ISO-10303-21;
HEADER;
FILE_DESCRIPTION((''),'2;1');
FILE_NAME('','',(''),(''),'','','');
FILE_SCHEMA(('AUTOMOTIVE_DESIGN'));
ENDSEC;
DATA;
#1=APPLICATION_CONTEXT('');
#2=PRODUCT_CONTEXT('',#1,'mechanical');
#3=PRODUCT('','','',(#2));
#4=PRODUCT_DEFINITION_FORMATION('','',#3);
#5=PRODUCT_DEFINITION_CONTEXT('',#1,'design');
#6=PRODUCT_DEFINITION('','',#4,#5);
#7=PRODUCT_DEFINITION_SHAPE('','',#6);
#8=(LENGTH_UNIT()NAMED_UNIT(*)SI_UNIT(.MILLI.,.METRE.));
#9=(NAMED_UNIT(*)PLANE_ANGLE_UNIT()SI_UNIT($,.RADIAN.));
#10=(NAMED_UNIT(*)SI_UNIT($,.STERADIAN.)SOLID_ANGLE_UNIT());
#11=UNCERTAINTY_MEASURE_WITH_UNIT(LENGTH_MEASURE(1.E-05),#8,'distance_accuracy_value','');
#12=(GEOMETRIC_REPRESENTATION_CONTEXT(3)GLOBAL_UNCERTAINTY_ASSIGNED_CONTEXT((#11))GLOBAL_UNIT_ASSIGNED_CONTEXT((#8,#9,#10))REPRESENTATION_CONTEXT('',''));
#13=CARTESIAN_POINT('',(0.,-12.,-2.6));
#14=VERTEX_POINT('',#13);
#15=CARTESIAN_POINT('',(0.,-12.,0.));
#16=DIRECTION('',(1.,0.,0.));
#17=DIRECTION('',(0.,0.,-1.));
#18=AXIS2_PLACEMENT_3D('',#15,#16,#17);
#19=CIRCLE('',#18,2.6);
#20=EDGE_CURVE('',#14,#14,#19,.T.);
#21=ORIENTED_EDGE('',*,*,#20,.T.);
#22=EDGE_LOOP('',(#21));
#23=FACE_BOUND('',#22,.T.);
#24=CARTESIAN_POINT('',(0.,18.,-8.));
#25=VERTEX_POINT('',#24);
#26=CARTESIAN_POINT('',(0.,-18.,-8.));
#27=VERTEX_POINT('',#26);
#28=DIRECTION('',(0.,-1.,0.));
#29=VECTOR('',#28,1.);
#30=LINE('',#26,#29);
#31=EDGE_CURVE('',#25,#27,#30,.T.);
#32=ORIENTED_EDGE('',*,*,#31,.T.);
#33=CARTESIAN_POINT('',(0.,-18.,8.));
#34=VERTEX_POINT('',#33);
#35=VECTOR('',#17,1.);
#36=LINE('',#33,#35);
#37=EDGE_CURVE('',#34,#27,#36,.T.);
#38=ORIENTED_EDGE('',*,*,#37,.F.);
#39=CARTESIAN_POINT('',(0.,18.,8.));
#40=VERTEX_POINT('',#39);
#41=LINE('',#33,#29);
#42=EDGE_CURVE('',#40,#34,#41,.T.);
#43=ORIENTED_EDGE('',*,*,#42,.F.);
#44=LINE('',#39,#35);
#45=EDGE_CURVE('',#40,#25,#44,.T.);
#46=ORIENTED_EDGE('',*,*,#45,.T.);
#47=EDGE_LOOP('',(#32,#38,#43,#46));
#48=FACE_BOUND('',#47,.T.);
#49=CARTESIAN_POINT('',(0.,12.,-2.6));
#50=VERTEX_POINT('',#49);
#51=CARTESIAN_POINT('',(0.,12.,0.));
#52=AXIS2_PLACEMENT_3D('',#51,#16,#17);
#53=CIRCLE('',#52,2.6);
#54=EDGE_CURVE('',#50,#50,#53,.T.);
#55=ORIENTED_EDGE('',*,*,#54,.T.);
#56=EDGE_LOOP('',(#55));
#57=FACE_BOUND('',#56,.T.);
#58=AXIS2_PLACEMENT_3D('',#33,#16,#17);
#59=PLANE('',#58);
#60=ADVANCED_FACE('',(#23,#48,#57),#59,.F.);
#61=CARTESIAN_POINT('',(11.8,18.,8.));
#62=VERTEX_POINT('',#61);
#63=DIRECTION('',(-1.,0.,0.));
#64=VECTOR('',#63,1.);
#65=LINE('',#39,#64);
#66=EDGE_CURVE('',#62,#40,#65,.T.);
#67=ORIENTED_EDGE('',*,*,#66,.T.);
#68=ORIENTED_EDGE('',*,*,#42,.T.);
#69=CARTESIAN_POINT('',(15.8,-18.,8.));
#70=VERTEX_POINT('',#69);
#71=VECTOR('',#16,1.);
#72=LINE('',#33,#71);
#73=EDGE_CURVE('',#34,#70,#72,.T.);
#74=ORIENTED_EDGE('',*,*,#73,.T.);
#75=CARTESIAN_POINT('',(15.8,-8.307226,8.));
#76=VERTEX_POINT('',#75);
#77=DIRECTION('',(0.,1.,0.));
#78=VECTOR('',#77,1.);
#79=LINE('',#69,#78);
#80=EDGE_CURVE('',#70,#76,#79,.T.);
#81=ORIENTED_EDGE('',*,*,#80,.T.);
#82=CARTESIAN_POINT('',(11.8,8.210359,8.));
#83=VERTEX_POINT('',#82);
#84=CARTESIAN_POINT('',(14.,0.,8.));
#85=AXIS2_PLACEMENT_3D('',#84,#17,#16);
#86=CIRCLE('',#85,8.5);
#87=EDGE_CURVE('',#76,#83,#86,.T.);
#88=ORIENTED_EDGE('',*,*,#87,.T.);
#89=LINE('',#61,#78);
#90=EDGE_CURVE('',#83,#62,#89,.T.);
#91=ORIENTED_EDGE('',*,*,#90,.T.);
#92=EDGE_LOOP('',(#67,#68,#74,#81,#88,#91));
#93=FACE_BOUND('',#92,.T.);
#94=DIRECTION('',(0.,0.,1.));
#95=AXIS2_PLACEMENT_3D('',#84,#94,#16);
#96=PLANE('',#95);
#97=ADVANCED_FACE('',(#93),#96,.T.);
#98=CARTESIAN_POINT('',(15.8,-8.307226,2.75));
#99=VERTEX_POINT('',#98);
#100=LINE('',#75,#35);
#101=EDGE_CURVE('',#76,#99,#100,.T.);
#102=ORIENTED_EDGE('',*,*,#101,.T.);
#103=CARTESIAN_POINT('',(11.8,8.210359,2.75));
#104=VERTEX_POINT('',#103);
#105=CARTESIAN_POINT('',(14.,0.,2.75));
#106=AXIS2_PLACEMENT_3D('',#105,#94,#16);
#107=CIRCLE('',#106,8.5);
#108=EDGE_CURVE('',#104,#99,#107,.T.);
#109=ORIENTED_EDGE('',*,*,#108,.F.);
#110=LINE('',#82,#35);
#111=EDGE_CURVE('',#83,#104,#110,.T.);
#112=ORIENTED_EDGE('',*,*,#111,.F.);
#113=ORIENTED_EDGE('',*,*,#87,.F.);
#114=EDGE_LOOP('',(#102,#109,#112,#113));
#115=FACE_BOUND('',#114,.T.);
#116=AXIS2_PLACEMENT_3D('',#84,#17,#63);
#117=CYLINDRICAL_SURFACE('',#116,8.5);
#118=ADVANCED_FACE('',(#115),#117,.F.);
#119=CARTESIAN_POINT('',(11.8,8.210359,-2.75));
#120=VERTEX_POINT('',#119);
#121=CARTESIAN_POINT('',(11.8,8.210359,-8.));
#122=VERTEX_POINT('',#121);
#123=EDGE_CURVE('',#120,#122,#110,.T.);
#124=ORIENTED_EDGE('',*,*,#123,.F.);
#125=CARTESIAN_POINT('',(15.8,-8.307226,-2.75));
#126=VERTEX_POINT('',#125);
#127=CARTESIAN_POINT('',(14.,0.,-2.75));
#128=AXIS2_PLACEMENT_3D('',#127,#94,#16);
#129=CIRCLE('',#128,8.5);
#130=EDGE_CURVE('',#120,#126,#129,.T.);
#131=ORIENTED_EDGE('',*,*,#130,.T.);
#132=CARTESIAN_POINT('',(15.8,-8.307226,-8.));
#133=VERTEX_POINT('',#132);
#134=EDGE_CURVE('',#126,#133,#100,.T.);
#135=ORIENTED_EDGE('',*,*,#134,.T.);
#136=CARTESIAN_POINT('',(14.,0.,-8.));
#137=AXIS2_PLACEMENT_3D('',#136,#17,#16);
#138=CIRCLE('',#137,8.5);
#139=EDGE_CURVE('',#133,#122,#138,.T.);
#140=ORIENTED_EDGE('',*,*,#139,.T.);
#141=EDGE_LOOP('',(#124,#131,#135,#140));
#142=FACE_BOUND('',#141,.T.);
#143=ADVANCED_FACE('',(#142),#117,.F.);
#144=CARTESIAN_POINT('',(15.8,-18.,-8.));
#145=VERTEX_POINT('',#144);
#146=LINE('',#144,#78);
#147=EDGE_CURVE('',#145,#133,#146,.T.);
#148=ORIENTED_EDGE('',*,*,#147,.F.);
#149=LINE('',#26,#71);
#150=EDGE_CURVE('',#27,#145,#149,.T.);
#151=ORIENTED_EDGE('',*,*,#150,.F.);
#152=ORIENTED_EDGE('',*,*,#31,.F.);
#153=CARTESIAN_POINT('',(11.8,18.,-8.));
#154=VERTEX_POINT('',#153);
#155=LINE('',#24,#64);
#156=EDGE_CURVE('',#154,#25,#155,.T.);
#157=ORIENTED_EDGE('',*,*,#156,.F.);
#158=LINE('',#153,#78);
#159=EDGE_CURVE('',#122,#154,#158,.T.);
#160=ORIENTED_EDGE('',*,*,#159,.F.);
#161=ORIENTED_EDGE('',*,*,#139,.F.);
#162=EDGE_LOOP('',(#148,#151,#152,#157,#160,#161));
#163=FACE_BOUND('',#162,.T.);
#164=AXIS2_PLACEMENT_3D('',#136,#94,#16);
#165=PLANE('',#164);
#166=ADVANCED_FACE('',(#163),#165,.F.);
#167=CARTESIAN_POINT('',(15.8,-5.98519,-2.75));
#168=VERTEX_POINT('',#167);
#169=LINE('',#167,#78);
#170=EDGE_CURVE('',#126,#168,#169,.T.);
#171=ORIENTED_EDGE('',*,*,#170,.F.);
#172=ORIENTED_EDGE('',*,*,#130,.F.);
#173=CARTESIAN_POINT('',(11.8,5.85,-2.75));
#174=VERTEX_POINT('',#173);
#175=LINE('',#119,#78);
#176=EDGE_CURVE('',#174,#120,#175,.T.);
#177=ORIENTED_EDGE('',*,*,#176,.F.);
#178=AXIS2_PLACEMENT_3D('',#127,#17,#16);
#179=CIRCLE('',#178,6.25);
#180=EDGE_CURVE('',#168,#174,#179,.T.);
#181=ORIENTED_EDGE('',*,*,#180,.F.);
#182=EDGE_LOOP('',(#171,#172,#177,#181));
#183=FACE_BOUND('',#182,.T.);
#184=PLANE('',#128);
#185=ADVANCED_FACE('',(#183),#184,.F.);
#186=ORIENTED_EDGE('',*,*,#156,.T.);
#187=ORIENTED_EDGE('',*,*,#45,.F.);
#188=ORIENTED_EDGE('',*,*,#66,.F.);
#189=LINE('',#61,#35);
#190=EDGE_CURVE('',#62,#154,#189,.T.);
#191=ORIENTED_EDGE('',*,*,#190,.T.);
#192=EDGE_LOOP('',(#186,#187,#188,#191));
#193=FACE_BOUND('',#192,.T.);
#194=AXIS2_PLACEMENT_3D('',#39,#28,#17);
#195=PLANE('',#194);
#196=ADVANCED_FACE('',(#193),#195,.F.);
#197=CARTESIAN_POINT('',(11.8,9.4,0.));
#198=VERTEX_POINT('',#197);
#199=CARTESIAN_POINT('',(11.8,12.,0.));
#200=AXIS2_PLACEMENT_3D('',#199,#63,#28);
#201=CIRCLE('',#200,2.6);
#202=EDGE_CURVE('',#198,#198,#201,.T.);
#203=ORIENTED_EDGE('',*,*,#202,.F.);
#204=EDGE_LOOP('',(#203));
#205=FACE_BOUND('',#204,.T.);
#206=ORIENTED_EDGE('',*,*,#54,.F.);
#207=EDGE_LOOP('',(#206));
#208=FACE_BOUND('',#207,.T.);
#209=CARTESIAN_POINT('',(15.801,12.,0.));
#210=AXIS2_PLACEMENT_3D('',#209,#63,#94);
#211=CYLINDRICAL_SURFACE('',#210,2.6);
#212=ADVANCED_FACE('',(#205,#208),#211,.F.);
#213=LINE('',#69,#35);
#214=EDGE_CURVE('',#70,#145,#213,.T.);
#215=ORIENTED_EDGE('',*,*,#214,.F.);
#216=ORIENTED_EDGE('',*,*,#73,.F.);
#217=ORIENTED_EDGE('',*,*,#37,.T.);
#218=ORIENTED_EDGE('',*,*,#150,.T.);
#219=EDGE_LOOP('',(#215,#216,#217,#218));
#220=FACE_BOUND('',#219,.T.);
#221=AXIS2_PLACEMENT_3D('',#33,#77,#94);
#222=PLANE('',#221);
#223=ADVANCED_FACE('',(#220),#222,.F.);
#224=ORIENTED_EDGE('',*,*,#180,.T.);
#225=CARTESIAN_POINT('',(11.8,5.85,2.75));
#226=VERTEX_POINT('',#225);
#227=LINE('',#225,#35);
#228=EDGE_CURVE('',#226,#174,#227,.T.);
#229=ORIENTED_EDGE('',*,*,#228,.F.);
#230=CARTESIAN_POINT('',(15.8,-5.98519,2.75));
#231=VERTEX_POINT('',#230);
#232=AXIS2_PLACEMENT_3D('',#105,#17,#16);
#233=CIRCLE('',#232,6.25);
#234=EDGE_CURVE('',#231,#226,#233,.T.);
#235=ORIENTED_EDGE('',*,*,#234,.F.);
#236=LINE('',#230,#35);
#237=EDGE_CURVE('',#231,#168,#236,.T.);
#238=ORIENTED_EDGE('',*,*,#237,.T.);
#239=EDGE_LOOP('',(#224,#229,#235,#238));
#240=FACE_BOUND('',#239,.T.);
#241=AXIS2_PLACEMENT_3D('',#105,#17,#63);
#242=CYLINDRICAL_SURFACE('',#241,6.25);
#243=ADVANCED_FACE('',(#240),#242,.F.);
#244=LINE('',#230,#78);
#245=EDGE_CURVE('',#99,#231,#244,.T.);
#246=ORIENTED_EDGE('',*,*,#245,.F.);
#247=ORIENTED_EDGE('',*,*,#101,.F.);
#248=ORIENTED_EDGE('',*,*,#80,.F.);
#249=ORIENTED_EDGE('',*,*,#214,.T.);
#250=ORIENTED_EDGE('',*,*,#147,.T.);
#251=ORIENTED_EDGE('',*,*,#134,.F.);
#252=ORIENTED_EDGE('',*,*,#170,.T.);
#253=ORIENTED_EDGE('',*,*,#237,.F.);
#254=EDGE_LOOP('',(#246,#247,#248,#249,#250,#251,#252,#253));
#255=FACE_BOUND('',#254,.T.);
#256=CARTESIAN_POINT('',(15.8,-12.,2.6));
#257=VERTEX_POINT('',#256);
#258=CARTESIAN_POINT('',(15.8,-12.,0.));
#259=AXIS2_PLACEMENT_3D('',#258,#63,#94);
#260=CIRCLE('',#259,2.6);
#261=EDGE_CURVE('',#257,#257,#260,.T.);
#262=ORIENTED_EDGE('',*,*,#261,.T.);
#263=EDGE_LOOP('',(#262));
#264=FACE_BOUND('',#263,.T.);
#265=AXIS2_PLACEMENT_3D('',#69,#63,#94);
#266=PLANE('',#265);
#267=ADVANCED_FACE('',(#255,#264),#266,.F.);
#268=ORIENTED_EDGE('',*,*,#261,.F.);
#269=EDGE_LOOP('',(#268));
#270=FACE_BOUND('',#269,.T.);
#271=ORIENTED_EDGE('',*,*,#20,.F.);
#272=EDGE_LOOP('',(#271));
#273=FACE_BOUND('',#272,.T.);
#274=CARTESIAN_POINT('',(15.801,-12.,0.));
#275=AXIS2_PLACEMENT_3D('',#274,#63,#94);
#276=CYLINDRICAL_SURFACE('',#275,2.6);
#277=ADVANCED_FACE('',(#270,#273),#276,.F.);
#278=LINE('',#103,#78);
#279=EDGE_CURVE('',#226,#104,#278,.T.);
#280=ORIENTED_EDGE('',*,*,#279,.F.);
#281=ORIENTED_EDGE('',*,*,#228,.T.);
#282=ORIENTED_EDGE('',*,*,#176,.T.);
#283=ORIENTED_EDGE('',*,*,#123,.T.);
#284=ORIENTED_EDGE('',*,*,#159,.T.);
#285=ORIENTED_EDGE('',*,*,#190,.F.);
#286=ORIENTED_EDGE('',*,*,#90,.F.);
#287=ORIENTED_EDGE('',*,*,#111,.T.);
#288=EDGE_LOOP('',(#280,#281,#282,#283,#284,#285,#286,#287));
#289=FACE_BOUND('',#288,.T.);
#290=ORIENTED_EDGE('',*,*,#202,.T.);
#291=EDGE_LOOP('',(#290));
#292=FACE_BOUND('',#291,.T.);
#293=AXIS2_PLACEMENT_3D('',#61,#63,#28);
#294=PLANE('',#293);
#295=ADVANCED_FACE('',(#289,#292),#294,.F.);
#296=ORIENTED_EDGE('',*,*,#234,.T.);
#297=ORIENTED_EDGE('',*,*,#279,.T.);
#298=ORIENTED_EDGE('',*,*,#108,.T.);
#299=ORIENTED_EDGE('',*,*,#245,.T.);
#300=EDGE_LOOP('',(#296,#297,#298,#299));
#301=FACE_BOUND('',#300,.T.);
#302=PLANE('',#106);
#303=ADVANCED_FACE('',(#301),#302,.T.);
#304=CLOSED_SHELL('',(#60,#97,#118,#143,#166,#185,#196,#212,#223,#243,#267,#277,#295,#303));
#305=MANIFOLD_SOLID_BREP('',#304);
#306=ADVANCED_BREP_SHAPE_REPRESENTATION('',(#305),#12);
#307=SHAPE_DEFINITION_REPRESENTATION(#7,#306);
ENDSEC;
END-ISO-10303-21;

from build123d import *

# Parameters (mm, degrees)
BOSS_EXTRUDE2_DEPTH = 8
BOSS_EXTRUDE3_DEPTH = 2.75
CUT_EXTRUDE1_REACH  = 27.252
SKETCH5_R           = 2.6


with BuildPart() as part:
    # Sketch3 → Boss-Extrude2 (new, symmetric)
    with BuildSketch(Plane.XY):
        with BuildLine():
            Line((0, -18), (0, 18))
            Line((0, 18), (11.8, 18))
            Line((11.8, 18), (11.8, 8.21035931))
            ThreePointArc((11.8, 8.21035931), (5.738786153, -2.000586358), (15.8, -8.30722577))
            Line((15.8, -8.30722577), (15.8, -18))
            Line((15.8, -18), (0, -18))
        make_face()
    extrude(amount=BOSS_EXTRUDE2_DEPTH, both=True)

    # Sketch4 → Boss-Extrude3 (add, symmetric)
    with BuildSketch(Plane.XY):
        with BuildLine():
            Line((11.8, 8.21035931), (11.8, 5.85))
            ThreePointArc((11.8, 5.85), (8.079026185, -2.001141946), (15.8, -5.985190055))
            Line((15.8, -5.985190055), (15.8, -8.30722577))
            ThreePointArc((15.8, -8.30722577), (5.738786153, -2.000586358), (11.8, 8.21035931))
        make_face()
    extrude(amount=BOSS_EXTRUDE3_DEPTH, both=True)

    # Sketch5 → Cut-Extrude1 (cut, up to next)
    with BuildSketch(Plane(origin=(0, 0, 0), x_dir=(0, 0, -1), z_dir=(1, 0, 0)), mode=Mode.PRIVATE) as cut_extrude1_sk1:
        with Locations(Location((0, 12, 0), (0, 0, 270))):
            Circle(SKETCH5_R)
    cut_extrude1_tool1 = extrude(cut_extrude1_sk1.sketch, amount=CUT_EXTRUDE1_REACH, mode=Mode.PRIVATE) & part.part
    # Sketch5 → Cut-Extrude1 (cut, up to next)
    with BuildSketch(Plane(origin=(0, 0, 0), x_dir=(0, 0, -1), z_dir=(1, 0, 0)), mode=Mode.PRIVATE) as cut_extrude1_sk2:
        with Locations(Location((0, -12, 0), (0, 0, 180))):
            Circle(SKETCH5_R)
    cut_extrude1_tool2 = extrude(cut_extrude1_sk2.sketch, amount=CUT_EXTRUDE1_REACH, mode=Mode.PRIVATE) & part.part
    add(cut_extrude1_tool1.solids().sort_by_distance((0, 12, 0))[0], mode=Mode.SUBTRACT)
    add(cut_extrude1_tool2.solids().sort_by_distance((0, -12, 0))[0], mode=Mode.SUBTRACT)


solid = part.part
